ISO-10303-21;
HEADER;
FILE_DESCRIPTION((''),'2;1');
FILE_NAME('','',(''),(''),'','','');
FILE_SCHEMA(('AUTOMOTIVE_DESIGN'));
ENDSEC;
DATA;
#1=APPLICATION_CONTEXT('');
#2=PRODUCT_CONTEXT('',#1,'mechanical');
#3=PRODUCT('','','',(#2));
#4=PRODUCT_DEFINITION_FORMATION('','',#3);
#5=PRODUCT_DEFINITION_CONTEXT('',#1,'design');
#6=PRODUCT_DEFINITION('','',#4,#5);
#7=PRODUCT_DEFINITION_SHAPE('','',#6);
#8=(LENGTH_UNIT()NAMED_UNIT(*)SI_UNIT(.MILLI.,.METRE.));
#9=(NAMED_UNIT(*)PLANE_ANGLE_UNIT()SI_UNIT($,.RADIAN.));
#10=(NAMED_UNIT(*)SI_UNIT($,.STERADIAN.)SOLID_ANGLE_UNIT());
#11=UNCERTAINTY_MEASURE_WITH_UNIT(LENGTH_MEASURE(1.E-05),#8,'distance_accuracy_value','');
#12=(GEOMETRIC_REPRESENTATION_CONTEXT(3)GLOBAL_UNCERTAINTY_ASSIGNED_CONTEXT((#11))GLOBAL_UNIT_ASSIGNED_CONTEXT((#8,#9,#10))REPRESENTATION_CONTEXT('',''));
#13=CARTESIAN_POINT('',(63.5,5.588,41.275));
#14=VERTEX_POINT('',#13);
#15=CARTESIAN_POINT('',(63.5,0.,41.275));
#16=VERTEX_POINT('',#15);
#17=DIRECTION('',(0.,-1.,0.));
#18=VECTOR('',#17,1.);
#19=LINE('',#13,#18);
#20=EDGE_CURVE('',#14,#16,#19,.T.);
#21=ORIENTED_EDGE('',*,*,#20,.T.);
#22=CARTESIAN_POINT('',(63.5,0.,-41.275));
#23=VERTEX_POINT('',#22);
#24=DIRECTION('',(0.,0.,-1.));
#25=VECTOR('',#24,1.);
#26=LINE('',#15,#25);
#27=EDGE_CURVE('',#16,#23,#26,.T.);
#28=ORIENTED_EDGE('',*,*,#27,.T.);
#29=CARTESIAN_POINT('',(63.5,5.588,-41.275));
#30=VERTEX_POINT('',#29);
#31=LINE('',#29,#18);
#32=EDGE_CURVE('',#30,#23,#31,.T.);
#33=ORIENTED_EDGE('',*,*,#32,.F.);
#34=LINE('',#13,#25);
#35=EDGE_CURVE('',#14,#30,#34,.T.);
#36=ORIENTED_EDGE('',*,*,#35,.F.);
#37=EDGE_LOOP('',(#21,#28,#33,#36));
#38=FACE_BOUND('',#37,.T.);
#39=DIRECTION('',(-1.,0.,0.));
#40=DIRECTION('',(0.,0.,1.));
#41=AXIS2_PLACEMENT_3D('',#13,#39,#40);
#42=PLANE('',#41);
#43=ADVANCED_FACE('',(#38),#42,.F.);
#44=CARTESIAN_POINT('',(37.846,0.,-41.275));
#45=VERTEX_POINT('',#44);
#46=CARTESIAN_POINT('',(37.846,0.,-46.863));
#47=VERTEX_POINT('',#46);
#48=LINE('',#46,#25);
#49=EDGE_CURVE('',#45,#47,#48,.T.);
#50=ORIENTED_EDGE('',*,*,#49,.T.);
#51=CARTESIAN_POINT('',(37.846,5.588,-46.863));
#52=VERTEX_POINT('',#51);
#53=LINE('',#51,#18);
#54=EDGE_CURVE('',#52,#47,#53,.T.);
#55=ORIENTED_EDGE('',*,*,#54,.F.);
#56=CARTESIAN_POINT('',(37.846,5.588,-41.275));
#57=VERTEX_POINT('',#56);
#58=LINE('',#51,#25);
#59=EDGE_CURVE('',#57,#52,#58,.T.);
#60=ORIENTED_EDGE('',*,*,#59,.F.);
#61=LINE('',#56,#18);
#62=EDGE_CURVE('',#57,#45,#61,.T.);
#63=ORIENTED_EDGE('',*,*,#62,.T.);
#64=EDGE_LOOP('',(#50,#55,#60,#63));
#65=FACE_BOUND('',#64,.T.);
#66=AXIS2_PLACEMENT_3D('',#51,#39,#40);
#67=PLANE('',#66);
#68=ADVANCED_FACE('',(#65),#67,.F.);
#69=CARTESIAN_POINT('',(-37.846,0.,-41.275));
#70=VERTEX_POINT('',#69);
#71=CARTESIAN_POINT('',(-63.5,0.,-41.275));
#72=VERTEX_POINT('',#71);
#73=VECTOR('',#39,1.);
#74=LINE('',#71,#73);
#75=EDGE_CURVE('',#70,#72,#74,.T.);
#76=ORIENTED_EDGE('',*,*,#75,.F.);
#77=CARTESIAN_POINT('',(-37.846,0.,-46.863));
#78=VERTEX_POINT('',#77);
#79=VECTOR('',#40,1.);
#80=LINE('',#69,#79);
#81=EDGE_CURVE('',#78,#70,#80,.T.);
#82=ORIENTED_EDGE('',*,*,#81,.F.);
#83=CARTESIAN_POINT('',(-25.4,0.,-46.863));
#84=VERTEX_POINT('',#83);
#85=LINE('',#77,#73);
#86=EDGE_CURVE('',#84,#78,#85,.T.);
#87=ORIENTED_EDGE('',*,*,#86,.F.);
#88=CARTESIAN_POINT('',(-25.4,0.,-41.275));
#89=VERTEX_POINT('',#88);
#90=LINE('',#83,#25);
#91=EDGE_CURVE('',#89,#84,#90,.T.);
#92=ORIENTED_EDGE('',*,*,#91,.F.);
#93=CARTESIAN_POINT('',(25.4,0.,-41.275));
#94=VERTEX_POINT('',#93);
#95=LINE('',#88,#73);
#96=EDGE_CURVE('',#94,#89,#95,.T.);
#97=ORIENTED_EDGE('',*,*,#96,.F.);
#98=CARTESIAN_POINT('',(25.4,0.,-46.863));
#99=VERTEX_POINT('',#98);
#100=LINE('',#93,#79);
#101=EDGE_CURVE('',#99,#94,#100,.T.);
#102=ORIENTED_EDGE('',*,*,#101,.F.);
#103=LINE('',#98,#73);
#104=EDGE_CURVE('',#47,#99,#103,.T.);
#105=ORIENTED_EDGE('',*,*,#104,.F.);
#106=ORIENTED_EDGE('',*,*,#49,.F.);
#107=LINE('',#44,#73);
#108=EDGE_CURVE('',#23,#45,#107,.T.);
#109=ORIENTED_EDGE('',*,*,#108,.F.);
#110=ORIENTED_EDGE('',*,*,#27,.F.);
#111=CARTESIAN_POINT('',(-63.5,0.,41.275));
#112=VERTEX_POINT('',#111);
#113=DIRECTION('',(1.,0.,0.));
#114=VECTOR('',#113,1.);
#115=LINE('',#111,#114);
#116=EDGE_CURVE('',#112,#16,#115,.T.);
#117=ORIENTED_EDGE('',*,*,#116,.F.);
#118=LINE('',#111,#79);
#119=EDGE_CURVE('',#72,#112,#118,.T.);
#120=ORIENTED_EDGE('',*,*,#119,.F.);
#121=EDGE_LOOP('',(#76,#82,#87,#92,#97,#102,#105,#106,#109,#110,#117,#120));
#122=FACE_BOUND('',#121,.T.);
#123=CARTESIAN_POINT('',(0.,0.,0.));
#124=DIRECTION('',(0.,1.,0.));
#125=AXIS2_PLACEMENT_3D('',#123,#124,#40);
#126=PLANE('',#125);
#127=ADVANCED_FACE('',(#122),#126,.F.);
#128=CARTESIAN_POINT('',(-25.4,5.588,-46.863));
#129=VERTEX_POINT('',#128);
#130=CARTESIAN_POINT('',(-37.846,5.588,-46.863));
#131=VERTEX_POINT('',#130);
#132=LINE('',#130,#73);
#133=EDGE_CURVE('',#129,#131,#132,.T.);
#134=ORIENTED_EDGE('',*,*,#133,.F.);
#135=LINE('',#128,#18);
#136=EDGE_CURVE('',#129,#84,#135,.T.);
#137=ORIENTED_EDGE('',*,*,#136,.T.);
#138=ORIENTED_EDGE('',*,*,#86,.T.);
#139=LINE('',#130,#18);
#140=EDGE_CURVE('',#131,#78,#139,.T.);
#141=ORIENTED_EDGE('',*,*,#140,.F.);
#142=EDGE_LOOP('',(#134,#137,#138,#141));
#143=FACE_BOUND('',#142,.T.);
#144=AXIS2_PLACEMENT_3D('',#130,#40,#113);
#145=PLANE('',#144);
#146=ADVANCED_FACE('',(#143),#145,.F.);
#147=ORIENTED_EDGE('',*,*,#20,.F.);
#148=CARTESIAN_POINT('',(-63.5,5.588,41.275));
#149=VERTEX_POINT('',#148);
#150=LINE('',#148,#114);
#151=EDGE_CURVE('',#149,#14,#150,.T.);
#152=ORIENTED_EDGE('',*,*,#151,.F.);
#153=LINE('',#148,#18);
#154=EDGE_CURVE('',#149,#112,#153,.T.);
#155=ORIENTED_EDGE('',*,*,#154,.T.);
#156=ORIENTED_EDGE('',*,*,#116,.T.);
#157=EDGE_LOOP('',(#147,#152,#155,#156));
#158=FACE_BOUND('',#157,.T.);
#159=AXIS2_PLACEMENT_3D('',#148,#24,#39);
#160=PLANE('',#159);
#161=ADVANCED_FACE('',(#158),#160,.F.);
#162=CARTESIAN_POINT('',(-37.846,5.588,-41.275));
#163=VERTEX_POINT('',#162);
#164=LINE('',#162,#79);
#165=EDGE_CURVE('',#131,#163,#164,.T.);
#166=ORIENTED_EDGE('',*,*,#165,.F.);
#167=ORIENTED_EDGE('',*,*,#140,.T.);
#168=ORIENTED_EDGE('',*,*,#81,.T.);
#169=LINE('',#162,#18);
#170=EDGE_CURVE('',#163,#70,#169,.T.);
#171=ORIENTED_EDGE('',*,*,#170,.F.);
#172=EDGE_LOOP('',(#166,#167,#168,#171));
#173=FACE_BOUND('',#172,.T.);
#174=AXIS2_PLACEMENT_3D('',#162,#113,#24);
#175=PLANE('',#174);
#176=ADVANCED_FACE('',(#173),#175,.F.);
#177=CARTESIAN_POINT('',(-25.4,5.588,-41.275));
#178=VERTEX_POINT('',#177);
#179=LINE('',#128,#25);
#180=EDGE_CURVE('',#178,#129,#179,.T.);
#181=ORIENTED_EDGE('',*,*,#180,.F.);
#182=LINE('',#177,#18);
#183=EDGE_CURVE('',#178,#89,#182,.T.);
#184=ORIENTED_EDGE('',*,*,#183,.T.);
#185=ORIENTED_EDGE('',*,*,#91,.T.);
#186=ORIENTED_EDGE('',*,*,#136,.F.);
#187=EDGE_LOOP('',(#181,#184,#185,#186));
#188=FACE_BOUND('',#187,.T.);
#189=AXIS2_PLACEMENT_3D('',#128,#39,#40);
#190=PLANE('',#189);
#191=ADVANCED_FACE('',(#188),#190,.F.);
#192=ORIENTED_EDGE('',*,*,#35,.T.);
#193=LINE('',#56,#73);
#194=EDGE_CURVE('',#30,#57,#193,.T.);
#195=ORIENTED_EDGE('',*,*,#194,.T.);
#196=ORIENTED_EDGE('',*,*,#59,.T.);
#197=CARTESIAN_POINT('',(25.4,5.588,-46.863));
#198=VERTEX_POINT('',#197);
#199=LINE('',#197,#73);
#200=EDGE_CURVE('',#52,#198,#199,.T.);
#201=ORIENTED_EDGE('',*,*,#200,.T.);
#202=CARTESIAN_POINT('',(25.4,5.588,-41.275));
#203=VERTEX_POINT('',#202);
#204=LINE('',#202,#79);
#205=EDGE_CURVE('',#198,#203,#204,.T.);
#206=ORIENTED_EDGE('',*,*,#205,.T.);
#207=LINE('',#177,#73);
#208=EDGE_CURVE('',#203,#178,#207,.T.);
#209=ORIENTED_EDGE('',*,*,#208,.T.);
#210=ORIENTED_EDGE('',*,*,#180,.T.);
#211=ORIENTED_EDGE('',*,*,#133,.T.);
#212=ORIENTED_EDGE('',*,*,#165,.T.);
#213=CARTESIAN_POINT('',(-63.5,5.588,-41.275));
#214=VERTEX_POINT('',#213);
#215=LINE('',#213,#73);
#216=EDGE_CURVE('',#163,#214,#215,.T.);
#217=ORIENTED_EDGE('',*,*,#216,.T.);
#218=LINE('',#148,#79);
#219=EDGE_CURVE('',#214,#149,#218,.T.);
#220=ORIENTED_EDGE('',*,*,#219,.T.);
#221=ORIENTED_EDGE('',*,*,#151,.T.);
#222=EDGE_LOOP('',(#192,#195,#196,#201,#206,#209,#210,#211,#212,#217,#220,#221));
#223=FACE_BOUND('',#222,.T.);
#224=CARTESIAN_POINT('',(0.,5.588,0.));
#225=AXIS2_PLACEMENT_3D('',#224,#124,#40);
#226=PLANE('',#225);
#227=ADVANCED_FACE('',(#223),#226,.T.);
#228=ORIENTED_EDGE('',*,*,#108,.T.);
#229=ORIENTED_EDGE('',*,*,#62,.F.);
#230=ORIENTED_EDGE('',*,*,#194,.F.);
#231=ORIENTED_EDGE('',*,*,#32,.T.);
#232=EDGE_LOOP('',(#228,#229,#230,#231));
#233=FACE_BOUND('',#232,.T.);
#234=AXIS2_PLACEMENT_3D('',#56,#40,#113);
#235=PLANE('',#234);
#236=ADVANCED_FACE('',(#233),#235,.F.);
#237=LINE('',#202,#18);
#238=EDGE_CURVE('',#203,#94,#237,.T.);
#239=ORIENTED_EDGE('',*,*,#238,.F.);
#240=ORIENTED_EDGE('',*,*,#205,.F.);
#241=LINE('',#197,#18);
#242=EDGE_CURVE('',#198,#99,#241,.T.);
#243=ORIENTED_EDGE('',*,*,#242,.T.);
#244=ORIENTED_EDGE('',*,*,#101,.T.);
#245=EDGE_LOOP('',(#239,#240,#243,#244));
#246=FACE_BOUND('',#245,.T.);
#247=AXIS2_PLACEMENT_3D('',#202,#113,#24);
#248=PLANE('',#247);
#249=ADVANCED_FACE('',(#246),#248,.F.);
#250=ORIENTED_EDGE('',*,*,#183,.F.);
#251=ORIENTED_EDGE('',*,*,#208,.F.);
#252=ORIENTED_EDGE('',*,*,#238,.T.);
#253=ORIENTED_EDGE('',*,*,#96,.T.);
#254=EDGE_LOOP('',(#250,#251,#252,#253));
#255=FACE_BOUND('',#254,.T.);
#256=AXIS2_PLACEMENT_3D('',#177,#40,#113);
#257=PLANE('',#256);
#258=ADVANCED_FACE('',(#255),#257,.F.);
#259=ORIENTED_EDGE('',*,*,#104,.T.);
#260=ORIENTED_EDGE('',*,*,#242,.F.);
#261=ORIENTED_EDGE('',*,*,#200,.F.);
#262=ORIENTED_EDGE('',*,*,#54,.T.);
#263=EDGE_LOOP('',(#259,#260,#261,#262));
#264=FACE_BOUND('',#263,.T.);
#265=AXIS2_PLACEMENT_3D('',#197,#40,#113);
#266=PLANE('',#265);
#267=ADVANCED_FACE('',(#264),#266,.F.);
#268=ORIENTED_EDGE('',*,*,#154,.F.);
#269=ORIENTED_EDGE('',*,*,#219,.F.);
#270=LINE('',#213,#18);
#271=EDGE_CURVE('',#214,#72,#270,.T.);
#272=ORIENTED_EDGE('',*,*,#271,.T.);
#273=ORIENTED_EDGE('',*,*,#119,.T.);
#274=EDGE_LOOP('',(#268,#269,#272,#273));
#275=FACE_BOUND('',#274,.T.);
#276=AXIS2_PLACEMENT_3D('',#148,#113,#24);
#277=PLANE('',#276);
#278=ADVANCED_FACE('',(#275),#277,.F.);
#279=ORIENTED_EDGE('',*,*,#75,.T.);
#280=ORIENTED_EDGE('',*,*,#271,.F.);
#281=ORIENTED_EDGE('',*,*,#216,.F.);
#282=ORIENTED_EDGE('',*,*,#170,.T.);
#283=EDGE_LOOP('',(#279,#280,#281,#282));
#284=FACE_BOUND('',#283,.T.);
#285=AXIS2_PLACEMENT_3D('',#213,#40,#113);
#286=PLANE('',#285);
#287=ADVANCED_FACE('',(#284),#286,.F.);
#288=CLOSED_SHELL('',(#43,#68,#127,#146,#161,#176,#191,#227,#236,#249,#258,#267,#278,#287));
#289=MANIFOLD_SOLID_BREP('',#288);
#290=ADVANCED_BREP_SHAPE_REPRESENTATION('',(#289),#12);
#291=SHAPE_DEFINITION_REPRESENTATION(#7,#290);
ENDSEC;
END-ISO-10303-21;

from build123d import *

# Parameters (mm, degrees)
BOSS_EXTRUDE1_DEPTH = 5.588


with BuildPart() as part:
    # Sketch1 → Boss-Extrude1 (new body)
    with BuildSketch(Plane(origin=(0, 0, 0), x_dir=(1, 0, 0), z_dir=(0, 1, 0))):
        Polygon((-63.5, -41.275), (63.5, -41.275), (63.5, 41.275), (37.846, 41.275), (37.846, 46.863), (25.4, 46.863), (25.4, 41.275), (-25.4, 41.275), (-25.4, 46.863), (-37.846, 46.863), (-37.846, 41.275), (-63.5, 41.275), align=None)
    extrude(amount=BOSS_EXTRUDE1_DEPTH)


solid = part.part
